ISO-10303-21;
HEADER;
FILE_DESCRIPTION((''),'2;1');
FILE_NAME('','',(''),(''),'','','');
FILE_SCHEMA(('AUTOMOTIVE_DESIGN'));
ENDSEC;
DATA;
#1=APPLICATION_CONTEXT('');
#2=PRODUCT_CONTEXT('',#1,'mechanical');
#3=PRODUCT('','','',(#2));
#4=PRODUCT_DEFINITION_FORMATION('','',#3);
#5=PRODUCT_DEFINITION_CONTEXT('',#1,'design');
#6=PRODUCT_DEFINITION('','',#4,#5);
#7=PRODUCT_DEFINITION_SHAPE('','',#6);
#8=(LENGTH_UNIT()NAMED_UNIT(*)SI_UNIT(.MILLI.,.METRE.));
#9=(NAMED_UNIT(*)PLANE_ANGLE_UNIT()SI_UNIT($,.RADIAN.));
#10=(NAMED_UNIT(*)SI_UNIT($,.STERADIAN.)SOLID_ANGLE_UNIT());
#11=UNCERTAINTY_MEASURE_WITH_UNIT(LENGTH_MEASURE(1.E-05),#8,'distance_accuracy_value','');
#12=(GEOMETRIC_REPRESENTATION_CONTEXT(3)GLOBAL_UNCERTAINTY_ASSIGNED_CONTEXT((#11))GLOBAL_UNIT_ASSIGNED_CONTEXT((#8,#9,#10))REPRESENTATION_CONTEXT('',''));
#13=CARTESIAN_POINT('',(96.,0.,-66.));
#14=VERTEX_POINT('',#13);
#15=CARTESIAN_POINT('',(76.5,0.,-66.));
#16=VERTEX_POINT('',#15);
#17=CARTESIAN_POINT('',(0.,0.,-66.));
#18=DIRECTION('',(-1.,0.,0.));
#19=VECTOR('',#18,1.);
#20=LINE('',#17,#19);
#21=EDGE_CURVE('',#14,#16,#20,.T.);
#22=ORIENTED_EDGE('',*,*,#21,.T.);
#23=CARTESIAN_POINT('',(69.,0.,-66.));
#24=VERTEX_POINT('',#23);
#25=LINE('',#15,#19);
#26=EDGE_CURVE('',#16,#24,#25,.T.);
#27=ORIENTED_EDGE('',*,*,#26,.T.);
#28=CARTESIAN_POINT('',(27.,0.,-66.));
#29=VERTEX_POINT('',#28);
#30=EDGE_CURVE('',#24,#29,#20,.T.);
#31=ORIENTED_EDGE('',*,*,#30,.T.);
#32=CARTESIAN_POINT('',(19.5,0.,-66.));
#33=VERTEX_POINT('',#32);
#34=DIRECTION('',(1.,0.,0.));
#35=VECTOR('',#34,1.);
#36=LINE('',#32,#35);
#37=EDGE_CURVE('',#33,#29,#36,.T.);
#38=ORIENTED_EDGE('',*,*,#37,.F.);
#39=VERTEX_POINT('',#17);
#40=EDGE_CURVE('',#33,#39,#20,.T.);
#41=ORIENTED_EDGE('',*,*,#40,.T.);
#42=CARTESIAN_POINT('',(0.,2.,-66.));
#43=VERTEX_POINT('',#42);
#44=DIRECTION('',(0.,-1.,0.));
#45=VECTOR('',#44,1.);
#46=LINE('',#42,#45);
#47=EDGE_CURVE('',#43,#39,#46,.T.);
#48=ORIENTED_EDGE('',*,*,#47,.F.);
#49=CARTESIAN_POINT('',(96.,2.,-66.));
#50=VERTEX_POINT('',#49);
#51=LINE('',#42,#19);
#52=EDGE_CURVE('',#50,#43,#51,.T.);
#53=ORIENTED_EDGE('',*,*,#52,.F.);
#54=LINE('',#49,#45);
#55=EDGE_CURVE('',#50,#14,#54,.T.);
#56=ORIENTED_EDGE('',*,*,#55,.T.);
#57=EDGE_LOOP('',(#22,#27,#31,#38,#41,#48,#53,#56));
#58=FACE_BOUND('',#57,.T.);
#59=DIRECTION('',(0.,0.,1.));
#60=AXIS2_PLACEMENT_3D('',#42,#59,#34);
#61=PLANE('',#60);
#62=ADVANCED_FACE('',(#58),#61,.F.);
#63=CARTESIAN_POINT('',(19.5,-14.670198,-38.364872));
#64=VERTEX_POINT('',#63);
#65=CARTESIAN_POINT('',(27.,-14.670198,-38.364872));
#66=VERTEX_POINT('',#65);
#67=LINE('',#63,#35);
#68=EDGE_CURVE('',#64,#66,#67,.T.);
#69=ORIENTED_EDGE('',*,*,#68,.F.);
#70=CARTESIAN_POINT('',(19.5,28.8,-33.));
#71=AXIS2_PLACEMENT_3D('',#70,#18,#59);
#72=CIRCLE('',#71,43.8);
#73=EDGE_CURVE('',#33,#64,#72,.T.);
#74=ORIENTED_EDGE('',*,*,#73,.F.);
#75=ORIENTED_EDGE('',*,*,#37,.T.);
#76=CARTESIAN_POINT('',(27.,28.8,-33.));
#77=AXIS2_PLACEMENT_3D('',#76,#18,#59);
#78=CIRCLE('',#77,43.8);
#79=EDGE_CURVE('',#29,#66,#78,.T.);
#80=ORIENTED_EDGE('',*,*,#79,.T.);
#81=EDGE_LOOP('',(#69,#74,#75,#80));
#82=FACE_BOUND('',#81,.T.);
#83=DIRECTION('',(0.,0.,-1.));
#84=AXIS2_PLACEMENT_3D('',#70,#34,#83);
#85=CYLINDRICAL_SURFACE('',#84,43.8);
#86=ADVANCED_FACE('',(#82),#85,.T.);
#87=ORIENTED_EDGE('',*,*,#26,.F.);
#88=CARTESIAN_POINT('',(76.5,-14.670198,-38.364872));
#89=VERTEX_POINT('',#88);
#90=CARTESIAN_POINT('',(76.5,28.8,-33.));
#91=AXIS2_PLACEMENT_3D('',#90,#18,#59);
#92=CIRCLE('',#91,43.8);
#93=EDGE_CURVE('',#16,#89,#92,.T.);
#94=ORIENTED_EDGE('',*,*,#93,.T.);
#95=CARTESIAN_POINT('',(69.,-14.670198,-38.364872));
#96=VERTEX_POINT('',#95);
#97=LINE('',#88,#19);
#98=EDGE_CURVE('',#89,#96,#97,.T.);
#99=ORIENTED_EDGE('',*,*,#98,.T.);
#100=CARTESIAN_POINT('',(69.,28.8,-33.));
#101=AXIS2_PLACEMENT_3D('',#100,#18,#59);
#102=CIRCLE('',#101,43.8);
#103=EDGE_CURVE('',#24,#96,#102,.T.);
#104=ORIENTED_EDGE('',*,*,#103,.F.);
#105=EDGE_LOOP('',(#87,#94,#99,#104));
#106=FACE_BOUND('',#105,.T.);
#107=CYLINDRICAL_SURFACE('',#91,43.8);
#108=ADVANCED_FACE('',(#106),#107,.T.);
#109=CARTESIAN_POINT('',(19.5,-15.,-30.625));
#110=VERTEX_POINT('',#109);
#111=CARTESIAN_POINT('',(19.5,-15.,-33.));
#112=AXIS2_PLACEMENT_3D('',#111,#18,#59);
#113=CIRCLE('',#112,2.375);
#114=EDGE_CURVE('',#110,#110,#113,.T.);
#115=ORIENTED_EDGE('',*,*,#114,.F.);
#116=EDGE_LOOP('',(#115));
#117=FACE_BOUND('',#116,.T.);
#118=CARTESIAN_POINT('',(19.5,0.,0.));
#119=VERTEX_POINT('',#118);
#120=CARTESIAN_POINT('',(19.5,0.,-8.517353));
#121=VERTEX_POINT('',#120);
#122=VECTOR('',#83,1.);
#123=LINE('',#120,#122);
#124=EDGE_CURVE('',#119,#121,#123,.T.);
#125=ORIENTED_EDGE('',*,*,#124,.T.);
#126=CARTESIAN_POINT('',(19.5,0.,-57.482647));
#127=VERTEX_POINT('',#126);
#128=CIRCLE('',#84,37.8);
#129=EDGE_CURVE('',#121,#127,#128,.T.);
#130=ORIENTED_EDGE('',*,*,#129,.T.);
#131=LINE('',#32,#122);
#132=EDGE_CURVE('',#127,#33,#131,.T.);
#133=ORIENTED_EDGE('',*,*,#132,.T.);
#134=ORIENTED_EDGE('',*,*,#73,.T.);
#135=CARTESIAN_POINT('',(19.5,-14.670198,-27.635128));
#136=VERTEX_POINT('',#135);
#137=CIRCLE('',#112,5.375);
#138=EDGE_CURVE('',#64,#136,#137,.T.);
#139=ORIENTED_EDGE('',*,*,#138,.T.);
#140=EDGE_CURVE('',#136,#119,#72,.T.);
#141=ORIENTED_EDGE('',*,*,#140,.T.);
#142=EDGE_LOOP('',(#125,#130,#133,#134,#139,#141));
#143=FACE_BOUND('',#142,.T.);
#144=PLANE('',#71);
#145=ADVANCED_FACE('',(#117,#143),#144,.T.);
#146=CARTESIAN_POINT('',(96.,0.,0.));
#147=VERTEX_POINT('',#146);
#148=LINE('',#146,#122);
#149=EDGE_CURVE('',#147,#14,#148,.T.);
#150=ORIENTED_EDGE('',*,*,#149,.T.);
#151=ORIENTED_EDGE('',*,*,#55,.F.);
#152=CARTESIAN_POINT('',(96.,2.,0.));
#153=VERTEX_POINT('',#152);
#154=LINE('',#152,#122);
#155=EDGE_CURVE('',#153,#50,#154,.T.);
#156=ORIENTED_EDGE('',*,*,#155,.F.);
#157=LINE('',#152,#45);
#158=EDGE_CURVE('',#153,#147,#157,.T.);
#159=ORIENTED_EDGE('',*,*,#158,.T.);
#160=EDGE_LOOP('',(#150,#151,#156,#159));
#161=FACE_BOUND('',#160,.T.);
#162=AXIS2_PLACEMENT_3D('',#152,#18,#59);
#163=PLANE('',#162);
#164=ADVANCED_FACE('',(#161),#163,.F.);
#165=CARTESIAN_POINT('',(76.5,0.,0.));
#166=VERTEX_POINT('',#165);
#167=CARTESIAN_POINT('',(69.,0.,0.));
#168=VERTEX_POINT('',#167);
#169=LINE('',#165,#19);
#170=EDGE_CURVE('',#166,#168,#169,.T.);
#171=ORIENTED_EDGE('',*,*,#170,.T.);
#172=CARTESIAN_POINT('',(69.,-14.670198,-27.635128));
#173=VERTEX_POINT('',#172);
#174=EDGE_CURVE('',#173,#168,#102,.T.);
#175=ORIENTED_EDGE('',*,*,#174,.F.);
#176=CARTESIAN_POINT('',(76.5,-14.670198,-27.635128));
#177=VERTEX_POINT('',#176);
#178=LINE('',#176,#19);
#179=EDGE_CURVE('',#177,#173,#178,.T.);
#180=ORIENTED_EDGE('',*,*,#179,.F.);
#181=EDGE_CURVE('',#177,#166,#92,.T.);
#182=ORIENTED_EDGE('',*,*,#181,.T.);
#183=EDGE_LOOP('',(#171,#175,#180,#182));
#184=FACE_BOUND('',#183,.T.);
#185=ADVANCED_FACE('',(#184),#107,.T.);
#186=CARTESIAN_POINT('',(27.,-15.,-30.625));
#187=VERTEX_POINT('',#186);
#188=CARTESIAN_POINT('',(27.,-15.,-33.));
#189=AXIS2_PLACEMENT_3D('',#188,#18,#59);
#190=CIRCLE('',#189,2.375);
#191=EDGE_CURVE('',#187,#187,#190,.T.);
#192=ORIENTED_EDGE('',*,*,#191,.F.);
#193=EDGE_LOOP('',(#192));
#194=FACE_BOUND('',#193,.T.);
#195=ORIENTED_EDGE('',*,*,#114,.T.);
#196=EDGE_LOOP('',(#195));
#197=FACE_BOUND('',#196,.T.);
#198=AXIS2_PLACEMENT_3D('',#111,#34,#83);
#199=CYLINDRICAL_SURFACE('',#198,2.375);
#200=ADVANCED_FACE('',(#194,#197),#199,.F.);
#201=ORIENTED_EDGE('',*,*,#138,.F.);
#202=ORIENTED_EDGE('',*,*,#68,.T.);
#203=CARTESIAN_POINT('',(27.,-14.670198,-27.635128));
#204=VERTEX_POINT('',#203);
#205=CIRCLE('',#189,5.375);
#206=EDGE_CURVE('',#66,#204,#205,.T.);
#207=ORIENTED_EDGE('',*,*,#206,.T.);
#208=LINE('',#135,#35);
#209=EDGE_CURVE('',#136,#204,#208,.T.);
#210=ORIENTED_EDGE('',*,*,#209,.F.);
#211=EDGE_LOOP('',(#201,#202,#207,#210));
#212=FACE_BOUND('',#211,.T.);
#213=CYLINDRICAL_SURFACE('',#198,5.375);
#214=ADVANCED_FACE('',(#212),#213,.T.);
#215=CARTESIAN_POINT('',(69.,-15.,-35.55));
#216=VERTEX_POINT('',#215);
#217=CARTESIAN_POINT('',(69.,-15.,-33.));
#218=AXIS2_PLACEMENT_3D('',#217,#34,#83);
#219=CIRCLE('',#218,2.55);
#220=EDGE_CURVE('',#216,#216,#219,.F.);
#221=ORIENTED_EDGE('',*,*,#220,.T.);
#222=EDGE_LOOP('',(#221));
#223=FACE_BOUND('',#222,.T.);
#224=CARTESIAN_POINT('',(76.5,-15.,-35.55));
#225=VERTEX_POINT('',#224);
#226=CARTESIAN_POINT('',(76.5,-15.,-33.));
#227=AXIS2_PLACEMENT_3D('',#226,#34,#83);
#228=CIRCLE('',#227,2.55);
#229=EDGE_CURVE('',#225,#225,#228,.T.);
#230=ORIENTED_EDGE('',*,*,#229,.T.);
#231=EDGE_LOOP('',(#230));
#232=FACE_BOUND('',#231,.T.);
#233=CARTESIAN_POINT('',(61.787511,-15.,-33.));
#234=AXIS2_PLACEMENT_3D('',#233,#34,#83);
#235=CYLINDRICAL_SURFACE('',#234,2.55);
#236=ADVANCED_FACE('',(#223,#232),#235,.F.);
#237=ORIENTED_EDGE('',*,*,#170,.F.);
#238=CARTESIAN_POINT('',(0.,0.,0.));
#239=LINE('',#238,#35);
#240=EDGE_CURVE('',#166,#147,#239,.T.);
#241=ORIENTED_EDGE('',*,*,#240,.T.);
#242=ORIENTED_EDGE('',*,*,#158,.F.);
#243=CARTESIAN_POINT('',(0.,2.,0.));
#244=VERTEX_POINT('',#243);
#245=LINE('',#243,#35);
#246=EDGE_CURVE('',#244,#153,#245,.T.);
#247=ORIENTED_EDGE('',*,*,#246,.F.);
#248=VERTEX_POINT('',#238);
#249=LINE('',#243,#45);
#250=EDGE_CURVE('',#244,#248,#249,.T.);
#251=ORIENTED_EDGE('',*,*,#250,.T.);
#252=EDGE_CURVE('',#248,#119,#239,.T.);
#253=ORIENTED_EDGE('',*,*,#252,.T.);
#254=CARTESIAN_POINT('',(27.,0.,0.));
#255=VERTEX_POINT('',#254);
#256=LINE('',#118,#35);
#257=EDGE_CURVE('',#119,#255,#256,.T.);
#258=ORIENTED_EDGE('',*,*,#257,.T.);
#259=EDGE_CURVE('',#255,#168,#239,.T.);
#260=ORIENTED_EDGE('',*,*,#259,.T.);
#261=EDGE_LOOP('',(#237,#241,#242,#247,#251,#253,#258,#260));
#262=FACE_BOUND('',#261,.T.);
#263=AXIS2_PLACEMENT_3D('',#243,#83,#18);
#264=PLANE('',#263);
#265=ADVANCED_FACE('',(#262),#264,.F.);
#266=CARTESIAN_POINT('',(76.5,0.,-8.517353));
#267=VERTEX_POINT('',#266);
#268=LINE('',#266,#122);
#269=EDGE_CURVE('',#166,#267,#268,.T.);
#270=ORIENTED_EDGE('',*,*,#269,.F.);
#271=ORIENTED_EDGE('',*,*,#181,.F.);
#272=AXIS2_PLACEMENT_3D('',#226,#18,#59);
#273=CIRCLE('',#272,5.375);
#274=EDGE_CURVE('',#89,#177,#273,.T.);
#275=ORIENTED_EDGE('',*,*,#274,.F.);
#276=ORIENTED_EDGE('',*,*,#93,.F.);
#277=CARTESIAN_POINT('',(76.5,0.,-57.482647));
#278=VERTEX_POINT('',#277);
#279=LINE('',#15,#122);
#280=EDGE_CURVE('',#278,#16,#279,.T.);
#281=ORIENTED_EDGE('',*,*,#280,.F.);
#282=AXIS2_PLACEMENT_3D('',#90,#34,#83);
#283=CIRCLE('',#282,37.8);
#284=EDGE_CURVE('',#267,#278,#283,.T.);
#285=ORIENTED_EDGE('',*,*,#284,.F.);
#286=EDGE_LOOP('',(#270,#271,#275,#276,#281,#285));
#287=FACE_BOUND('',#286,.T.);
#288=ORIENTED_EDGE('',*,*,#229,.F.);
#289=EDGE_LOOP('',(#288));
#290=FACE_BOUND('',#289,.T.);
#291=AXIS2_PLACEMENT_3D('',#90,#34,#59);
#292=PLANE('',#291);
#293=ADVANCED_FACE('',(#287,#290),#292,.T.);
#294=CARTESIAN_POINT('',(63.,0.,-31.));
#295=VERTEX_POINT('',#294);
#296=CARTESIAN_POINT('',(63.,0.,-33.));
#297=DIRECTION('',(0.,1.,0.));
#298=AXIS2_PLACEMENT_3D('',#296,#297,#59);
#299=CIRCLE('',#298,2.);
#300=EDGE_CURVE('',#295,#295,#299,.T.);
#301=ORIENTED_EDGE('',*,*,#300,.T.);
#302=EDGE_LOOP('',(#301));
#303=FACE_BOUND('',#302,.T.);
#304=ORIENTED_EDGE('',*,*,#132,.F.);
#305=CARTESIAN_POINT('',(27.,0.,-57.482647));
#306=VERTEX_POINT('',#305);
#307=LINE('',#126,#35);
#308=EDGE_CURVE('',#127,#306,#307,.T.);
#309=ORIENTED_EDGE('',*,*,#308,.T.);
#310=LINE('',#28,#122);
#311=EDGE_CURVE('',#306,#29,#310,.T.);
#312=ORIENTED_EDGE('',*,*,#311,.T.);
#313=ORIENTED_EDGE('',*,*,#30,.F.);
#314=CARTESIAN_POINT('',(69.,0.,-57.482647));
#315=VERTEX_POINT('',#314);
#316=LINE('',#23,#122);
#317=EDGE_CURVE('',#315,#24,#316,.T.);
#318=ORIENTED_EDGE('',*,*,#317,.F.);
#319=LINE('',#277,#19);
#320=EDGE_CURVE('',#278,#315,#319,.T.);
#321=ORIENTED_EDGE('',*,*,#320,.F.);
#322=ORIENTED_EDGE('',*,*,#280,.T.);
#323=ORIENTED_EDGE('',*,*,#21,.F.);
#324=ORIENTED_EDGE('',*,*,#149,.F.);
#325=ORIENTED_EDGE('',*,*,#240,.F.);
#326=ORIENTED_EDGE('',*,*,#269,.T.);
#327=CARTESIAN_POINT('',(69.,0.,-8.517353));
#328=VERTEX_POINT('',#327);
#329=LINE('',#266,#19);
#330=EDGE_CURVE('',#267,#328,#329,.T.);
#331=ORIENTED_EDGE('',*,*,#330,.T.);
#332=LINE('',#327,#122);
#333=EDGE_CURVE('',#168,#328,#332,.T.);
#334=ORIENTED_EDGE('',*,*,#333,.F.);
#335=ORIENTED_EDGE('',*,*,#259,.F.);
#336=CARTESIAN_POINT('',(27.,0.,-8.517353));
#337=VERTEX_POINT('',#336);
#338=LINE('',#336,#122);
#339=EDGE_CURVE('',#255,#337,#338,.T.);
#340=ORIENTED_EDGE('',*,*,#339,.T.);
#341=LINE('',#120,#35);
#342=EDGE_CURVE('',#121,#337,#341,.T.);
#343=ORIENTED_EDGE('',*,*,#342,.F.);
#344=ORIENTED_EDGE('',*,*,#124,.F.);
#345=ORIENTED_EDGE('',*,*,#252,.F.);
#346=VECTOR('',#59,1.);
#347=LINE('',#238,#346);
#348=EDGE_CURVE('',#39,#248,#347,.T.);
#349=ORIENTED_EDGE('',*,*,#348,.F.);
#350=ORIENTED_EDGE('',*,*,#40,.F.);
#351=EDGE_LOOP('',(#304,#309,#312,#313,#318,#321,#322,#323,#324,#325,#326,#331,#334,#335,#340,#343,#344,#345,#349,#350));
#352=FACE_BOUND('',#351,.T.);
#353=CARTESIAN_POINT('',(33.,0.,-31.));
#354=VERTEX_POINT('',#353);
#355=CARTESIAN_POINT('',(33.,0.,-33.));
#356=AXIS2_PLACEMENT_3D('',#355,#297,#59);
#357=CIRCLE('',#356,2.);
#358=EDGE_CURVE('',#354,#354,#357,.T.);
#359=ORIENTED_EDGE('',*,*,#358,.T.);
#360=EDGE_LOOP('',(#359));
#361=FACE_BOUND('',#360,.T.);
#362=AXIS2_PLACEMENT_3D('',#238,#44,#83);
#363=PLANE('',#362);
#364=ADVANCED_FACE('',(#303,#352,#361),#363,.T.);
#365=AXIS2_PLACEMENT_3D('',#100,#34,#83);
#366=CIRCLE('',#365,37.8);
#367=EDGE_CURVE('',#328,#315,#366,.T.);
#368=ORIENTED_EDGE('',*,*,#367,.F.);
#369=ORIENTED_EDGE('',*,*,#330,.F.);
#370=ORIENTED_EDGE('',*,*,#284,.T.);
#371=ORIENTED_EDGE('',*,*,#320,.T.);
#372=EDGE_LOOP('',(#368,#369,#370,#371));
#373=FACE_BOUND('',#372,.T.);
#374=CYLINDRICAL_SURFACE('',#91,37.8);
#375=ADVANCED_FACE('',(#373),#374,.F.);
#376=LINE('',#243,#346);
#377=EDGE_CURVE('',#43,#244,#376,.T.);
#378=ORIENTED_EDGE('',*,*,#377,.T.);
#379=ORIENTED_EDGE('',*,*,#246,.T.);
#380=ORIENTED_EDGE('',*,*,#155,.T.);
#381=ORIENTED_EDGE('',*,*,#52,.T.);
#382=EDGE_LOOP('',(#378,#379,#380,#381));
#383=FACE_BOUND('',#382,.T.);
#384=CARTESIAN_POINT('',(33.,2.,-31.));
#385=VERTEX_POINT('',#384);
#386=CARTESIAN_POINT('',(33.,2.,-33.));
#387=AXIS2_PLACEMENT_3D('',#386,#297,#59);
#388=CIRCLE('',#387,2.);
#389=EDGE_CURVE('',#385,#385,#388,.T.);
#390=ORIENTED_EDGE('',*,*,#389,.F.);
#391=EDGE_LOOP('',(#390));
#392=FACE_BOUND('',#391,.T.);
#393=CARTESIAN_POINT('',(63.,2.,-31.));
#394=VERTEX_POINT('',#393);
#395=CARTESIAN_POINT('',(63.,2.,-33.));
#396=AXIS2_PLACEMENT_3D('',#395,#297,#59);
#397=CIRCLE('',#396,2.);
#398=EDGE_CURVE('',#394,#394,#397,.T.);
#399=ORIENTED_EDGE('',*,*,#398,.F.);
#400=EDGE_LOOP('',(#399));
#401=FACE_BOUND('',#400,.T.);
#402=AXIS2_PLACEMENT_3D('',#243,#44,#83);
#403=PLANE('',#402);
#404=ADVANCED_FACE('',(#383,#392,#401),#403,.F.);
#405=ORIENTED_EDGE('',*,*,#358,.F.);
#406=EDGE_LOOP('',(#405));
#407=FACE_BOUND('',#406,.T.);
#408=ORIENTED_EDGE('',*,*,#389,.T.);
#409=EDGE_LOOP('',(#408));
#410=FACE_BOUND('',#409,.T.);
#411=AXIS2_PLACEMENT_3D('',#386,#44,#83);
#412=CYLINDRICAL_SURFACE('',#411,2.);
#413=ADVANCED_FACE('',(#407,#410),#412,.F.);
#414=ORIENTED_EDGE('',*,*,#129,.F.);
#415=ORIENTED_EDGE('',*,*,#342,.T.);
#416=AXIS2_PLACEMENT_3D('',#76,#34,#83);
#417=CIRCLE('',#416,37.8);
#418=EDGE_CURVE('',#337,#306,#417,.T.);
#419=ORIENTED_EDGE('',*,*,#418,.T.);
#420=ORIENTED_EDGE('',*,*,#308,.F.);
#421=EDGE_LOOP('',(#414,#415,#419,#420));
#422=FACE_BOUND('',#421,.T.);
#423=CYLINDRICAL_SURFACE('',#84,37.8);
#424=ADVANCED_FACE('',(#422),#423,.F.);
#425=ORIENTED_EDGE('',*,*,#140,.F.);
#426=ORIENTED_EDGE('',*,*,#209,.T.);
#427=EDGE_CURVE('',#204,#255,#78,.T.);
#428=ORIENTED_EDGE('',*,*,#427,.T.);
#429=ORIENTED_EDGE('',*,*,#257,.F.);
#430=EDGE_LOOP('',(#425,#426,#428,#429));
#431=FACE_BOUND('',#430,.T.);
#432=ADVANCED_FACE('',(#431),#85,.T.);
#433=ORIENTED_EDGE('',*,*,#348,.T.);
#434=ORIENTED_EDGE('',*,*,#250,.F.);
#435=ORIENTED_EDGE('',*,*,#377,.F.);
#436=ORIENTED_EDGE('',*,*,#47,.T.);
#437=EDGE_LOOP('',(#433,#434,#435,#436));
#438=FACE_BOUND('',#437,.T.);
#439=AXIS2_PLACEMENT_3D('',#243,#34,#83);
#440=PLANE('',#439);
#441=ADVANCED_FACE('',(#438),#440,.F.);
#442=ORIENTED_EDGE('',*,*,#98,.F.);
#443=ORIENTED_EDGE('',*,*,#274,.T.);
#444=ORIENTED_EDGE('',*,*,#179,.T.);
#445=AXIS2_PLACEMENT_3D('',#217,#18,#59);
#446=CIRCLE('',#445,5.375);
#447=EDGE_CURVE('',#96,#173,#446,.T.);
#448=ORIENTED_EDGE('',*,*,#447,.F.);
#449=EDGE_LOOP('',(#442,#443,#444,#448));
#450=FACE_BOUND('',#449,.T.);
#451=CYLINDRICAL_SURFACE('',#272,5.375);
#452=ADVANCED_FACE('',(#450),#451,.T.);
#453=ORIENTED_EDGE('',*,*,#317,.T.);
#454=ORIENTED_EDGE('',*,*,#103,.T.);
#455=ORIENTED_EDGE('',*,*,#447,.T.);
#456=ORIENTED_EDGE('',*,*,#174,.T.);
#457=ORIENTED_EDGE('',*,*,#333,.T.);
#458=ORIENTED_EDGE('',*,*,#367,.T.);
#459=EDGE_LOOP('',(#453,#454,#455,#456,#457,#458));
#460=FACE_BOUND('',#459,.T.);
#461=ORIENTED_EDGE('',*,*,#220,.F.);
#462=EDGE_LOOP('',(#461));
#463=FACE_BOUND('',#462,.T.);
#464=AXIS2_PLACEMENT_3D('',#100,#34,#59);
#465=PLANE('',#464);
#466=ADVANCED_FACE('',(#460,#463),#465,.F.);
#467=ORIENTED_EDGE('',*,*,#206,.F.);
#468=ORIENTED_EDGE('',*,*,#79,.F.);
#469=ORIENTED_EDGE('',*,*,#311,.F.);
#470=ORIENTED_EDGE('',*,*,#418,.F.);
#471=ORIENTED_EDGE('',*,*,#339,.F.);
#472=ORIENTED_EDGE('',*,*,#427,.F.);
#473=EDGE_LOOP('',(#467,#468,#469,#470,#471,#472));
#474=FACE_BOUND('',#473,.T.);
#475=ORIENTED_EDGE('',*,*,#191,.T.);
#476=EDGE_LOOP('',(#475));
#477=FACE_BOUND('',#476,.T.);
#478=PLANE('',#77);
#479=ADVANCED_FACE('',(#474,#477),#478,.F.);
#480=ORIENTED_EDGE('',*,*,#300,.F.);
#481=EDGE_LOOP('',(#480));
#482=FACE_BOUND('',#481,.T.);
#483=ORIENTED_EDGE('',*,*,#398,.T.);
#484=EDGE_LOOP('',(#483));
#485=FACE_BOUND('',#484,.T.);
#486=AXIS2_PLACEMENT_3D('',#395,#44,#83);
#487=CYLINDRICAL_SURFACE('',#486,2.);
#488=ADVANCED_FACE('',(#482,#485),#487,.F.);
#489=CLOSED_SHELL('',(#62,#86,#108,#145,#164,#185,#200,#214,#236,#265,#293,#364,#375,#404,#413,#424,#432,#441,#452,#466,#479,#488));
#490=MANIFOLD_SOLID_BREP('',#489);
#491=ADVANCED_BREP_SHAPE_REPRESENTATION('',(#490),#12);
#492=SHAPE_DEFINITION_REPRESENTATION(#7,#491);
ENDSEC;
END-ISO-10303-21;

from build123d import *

# Parameters (mm, degrees)
SKETCH1_W           = 96
SKETCH1_H           = 66
SKETCH1_R           = 2
BOSS_EXTRUDE1_DEPTH = 2
SKETCH8_R           = 2.375
BOSS_EXTRUDE3_DEPTH = 7.5
SKETCH9_R           = 2.55
CUT_EXTRUDE1_DEPTH  = 7.5


with BuildPart() as part:
    # Sketch1 → Boss-Extrude1 (new body)
    with BuildSketch(Plane(origin=(0, 0, 0), x_dir=(1, 0, 0), z_dir=(0, 1, 0))):
        with Locations((48, 33)):
            Rectangle(SKETCH1_W, SKETCH1_H)
        with Locations(Location((33, 33, 0), (0, 0, 270))):
            Circle(SKETCH1_R, mode=Mode.SUBTRACT)
        with Locations(Location((63, 33, 0), (0, 0, 270))):
            Circle(SKETCH1_R, mode=Mode.SUBTRACT)
    extrude(amount=BOSS_EXTRUDE1_DEPTH)

    # Sketch8 → Boss-Extrude3 (add)
    with BuildSketch(Plane.ZY.offset(-27)):
        with BuildLine():
            Line((-8.517353084, 0), (0, 0))
            ThreePointArc((0, 0), (-12.462971529, -9.886825426), (-27.6351276, -14.670198345))
            ThreePointArc((-27.6351276, -14.670198345), (-33, -20.375), (-38.3648724, -14.670198345))
            ThreePointArc((-38.3648724, -14.670198345), (-53.537028471, -9.886825426), (-66, 0))
            Line((-66, 0), (-57.482646916, 0))
            ThreePointArc((-57.482646916, 0), (-33, -9), (-8.517353084, 0))
        make_face()
        with Locations((-33, -15)):
            Circle(SKETCH8_R, mode=Mode.SUBTRACT)
    boss_extrude3 = extrude(amount=BOSS_EXTRUDE3_DEPTH)

    # Mirror1: Boss-Extrude3 across plane
    add(boss_extrude3.mirror(Plane.ZY.offset(-48)))

    # Sketch9 → Cut-Extrude1 (cut)
    with BuildSketch(Plane(origin=(76.5, 0, 0), x_dir=(0, 0, -1), z_dir=(1, 0, 0))):
        with Locations((33, -15)):
            Circle(SKETCH9_R)
    extrude(amount=-CUT_EXTRUDE1_DEPTH, mode=Mode.SUBTRACT)


solid = part.part
